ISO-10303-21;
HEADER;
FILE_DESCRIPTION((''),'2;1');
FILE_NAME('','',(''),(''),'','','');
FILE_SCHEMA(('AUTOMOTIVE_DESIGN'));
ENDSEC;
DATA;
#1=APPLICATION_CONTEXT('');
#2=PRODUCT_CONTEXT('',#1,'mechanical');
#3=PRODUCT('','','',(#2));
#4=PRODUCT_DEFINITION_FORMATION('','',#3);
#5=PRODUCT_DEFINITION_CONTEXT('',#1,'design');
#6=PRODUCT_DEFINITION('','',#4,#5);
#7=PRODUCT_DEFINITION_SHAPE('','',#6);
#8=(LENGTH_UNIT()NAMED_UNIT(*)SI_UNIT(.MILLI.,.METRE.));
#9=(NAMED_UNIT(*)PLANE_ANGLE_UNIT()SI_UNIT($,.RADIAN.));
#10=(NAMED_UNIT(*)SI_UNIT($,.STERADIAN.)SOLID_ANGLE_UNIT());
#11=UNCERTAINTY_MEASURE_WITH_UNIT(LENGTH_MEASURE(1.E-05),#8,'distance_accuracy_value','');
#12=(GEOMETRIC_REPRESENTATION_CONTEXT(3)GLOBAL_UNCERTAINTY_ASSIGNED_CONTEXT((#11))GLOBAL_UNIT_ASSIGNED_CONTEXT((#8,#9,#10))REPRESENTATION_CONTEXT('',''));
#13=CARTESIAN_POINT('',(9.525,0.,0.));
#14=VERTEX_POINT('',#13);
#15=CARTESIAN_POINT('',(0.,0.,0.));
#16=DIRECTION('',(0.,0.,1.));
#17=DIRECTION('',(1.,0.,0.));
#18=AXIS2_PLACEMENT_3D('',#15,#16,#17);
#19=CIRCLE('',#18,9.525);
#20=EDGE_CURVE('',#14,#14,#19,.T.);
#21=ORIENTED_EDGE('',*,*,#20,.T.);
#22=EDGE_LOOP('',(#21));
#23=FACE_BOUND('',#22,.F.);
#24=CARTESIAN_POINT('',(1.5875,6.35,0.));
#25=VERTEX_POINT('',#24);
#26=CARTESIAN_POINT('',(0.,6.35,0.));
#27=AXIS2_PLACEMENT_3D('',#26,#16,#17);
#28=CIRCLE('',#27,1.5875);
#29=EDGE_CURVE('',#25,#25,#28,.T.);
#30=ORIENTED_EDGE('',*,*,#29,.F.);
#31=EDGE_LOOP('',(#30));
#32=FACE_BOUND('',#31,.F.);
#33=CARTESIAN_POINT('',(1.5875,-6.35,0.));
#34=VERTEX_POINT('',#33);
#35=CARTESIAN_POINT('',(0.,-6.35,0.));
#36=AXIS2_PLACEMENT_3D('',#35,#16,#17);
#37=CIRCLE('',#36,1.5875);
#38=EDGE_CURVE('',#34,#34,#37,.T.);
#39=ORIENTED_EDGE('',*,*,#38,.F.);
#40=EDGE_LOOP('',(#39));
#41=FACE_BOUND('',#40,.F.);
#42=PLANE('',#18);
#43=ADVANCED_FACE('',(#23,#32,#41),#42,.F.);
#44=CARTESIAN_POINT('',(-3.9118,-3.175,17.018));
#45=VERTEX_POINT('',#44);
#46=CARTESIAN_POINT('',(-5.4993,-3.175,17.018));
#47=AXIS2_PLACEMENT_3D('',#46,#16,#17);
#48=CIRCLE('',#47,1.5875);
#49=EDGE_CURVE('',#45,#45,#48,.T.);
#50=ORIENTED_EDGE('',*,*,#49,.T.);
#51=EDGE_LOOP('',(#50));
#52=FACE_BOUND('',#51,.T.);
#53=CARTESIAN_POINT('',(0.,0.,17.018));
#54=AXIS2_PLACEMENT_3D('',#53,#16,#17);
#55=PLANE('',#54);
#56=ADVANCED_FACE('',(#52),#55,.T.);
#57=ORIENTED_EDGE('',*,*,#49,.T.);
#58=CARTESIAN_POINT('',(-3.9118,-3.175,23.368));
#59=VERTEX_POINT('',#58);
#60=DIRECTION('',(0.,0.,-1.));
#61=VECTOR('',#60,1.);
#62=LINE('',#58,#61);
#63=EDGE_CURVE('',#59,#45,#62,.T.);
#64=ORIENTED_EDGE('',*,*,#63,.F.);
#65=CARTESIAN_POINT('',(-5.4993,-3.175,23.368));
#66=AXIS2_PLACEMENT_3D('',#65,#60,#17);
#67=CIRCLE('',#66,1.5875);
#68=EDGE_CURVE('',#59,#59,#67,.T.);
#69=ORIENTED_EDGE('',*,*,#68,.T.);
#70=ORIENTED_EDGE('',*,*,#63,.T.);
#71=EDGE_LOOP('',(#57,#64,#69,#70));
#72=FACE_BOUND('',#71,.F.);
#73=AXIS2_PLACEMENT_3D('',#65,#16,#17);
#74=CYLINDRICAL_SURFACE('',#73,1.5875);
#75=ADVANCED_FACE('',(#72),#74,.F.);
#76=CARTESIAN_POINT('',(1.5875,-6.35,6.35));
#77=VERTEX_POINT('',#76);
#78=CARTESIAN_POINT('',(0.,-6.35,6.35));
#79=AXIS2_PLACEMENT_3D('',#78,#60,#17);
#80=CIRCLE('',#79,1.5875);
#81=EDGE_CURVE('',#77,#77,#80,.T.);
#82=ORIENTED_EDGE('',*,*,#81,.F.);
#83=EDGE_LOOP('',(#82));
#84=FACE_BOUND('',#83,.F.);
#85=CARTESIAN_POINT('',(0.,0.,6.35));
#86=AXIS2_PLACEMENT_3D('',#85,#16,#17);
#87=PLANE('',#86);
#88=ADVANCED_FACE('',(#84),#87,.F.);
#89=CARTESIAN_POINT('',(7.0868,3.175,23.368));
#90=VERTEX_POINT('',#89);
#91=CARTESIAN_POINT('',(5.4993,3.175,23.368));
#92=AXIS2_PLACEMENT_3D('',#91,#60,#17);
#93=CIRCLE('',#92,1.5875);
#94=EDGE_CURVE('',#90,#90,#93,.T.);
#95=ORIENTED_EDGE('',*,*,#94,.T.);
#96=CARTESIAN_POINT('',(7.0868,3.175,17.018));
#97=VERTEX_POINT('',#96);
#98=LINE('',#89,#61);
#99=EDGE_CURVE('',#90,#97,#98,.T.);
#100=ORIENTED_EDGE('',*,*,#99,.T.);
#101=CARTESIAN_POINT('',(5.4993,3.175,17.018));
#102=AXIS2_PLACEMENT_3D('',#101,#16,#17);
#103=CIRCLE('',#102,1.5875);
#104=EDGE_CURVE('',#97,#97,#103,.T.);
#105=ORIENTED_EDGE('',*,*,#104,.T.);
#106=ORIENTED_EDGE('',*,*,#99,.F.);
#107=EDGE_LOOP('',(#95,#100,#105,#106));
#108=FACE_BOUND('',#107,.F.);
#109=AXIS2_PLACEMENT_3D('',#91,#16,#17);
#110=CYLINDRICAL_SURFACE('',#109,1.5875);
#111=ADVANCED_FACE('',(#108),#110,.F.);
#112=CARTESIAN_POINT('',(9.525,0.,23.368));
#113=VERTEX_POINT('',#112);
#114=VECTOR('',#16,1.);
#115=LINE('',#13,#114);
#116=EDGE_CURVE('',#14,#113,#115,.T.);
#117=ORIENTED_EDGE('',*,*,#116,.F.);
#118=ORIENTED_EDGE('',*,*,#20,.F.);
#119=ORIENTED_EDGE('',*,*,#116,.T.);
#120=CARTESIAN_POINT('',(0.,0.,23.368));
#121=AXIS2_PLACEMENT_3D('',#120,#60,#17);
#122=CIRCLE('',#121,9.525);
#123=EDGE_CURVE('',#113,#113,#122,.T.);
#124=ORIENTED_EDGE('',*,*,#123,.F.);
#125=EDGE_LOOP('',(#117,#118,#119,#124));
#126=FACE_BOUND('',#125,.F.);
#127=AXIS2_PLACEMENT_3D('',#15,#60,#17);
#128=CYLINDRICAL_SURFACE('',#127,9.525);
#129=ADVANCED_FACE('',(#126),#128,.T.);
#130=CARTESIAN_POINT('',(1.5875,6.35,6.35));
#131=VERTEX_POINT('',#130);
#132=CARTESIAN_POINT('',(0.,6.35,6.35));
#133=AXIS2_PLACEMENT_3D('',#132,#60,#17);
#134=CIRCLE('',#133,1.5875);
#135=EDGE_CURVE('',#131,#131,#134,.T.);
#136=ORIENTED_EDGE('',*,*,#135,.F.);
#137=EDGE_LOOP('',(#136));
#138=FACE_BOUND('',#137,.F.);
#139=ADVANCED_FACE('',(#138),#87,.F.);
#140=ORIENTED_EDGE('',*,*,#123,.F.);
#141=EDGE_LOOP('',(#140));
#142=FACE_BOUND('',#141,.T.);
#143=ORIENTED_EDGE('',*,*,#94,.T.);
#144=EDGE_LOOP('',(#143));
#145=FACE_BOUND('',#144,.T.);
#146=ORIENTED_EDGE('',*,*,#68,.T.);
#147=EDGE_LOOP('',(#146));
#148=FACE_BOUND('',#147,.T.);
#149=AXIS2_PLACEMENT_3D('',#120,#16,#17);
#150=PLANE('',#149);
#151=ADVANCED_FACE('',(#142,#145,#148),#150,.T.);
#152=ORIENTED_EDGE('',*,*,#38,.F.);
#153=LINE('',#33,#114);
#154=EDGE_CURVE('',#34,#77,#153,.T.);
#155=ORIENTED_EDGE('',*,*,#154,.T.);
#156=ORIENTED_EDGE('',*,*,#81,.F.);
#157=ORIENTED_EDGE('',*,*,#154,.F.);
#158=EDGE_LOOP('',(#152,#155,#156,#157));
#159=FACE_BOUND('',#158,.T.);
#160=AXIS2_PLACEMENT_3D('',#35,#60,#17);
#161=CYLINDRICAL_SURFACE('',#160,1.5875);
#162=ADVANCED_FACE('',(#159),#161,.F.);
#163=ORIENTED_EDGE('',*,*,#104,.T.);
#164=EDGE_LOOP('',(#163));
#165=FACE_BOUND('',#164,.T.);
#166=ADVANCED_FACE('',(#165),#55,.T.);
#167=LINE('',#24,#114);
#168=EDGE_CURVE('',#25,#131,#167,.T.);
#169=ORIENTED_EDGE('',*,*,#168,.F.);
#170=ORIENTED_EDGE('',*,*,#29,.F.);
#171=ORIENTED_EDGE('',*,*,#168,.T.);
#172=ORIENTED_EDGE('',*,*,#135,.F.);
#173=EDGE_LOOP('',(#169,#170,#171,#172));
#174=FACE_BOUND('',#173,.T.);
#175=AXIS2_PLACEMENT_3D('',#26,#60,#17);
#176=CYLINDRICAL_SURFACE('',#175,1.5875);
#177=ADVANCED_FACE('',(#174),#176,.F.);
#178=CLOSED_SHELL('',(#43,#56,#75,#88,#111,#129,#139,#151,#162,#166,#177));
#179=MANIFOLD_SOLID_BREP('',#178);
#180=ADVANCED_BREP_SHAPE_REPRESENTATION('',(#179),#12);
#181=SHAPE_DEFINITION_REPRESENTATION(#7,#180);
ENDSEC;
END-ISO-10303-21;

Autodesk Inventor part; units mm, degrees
ref_plane "YZ Plane" through (0, 0, 0) normal (1, 0, 0) x (0, 1, 0)
ref_plane "XZ Plane" through (0, 0, 0) normal (0, 1, 0) x (-1, 0, 0)
ref_plane "XY Plane" through (0, 0, 0) normal (0, 0, 1) x (1, 0, 0)
sketch "Sketch1" plane through (0, 0, 0) normal (0, 0, 1) x (1, 0, 0)
  circle A0 centre (0, 0) radius 9.525
  circle A1 centre (0, -6.35) radius 1.5875
  circle A2 centre (0, 6.35) radius 1.5875
  line L0 (0, 9.525) -> (0, -9.525)
  dimension "d3" = 3.175
  dimension "d4" = 3.175
extrude "Extrusion2" add sketch "Sketch1" along normal blind 23.368
extrude "Extrusion3" cut sketch "Sketch1" along normal blind 6.35 contours L0 A2 | A2 L0 | L0 A1 | A1 L0
sketch "Sketch2" plane through (0, 0, 23.368) normal (0, 0, 1) x (1, 0, 0)
  circle A0 centre (0, 0) radius 9.525 projected
  line L0 (0, 9.525) -> (0, -9.525)
  line L1 (0, 0) -> (25.4, 0) construction
  line L2 (0, 0) -> (25.4, 0) construction
  line L3 (8.2489, 4.7625) -> (-8.2489, -4.7625)
  line L4 (0, 0) -> (5.4993, 3.175)
  line L5 (5.4993, 3.175) -> (-5.4993, -3.175)
  circle A1 centre (-5.4993, -3.175) radius 1.5875
  circle A2 centre (5.4993, 3.175) radius 1.5875
  line L6 (0, 0) -> (15.1329, 0) construction
  line L7 (8.2489, 4.7625) -> (-8.2489, -4.7625)
  dimension "d22" = 6.35
  dimension "d23" = 12.7
  dimension "d24" = 3.175
  dimension "d25" = 3.175
extrude "Extrusion4" cut sketch "Sketch2" against normal blind 6.35 contours A2 L3 | L3 A2 | A1 L3 | L3 A1
properties part number "Crankshaft"
